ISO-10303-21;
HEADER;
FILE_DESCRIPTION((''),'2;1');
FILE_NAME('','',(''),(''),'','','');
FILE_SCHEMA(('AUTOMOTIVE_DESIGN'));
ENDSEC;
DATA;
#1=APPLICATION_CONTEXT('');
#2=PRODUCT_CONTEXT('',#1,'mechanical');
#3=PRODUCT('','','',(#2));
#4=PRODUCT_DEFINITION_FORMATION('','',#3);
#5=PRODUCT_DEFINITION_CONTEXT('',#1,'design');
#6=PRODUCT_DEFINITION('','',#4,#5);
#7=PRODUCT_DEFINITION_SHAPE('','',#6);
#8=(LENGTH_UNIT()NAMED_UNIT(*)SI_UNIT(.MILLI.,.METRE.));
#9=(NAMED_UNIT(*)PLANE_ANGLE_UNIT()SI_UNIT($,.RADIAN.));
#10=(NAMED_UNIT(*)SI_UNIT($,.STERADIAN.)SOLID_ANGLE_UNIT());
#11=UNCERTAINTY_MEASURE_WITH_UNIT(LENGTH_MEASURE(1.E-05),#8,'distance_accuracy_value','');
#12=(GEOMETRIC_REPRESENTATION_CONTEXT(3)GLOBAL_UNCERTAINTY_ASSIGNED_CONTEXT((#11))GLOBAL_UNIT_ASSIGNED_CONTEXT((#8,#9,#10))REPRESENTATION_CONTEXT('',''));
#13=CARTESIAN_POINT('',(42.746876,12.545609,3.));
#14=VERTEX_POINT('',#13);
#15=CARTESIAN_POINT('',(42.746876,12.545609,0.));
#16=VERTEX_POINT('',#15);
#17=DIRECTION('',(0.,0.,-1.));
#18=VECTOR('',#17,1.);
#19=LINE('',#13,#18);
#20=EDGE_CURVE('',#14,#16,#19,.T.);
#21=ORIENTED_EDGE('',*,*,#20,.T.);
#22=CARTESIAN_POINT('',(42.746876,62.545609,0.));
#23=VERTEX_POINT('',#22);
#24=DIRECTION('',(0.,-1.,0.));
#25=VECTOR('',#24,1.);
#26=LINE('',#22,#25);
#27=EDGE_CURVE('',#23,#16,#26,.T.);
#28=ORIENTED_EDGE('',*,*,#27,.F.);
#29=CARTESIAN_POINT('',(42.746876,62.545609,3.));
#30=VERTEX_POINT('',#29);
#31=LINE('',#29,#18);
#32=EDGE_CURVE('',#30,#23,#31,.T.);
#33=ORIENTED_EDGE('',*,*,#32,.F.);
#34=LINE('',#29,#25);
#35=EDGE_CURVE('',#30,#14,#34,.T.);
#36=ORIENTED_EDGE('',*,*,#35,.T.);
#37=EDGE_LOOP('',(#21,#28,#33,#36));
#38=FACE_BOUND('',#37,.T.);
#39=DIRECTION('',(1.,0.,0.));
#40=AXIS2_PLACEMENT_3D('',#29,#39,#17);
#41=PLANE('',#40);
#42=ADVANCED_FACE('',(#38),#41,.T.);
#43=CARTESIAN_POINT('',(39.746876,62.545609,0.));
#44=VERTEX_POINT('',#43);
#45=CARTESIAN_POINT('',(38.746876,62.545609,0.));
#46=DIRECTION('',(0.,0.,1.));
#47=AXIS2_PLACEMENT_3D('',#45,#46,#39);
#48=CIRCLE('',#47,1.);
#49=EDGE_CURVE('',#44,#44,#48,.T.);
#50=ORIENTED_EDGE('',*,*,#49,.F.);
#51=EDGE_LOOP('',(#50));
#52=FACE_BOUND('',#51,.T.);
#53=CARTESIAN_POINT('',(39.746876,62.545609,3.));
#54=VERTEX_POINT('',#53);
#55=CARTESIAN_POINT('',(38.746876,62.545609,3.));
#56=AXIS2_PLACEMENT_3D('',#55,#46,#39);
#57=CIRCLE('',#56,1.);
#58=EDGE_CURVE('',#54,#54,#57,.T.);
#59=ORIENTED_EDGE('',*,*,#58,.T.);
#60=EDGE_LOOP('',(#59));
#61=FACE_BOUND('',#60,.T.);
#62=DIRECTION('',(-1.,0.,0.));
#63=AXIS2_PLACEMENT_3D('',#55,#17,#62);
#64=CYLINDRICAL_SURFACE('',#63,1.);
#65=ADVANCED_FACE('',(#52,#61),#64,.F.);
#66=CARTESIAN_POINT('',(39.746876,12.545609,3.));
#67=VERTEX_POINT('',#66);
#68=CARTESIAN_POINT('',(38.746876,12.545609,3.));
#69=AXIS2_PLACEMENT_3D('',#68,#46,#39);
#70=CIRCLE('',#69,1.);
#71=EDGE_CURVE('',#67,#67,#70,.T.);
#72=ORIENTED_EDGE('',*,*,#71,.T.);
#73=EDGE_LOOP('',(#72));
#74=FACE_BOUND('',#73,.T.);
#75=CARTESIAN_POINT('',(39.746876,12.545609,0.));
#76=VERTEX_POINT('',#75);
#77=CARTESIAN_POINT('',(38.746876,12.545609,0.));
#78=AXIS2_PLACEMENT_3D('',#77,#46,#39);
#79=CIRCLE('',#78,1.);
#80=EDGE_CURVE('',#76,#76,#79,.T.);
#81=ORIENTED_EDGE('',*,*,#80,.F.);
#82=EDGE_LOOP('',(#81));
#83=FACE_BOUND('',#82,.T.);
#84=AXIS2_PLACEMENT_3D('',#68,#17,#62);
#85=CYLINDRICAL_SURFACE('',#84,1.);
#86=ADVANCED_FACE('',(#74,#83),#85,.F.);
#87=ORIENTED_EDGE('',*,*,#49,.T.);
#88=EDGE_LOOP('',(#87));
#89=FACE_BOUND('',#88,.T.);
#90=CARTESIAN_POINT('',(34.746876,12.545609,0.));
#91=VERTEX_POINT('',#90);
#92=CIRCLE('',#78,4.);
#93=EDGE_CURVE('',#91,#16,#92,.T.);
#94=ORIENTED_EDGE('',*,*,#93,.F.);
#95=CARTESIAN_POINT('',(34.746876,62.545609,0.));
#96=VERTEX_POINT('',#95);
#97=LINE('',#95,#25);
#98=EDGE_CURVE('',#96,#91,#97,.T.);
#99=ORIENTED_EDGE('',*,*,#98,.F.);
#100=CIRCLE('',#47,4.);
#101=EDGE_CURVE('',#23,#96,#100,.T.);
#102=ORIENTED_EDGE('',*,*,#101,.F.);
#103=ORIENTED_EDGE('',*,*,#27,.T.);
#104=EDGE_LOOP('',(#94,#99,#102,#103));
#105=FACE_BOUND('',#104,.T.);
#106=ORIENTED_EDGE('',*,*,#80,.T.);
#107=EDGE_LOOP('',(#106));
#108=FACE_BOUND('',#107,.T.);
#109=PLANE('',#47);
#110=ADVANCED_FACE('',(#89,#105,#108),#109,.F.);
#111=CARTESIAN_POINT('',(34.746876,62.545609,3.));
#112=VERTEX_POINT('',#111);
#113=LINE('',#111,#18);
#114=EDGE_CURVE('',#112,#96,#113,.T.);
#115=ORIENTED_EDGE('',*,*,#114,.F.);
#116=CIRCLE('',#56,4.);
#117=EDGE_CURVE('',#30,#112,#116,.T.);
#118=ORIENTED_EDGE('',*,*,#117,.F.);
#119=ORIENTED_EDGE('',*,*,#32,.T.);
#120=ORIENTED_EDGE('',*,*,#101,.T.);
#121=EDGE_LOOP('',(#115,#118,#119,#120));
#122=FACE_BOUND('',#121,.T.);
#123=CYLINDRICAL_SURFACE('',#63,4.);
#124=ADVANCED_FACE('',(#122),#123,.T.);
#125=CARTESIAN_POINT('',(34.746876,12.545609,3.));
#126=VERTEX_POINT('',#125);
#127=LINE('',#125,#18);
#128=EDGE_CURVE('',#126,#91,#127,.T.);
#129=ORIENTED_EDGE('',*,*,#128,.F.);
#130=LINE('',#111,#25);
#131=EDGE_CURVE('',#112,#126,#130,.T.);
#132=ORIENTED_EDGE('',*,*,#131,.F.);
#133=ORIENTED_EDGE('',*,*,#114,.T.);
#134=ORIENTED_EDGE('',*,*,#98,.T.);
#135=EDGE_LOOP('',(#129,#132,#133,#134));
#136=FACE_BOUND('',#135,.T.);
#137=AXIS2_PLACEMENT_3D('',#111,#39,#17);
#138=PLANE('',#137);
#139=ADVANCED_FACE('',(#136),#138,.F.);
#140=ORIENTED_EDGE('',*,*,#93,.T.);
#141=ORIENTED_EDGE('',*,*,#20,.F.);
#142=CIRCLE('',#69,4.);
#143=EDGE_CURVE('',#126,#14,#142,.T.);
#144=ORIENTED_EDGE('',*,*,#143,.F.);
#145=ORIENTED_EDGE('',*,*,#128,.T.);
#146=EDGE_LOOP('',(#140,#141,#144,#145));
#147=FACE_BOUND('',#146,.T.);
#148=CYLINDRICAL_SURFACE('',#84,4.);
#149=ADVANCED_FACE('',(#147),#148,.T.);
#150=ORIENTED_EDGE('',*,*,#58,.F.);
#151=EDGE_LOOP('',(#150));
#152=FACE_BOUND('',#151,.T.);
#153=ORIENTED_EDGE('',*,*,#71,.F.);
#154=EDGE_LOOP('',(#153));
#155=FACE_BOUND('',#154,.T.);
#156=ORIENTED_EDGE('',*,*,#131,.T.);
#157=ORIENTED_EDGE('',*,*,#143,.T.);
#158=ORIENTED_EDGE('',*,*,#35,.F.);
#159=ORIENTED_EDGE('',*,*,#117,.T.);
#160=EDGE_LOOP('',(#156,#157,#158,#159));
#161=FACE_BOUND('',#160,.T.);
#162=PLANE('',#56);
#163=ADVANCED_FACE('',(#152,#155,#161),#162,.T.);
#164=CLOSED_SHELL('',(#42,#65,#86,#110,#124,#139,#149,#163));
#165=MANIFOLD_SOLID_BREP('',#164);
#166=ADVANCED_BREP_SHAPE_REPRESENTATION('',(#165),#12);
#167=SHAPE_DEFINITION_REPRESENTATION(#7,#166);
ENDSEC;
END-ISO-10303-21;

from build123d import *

# Parameters (mm, degrees)
MODEL_R             = 1
BOSS_EXTRUDE1_DEPTH = 3


with BuildPart() as part:
    # Model → Boss-Extrude1 (new body)
    with BuildSketch(Plane.XY):
        with BuildLine():
            Line((34.746875971, 62.545608907), (34.746875971, 12.545608907))
            ThreePointArc((34.746875971, 12.545608907), (38.746875971, 8.545608907), (42.746875971, 12.545608907))
            Line((42.746875971, 12.545608907), (42.746875971, 62.545608907))
            ThreePointArc((42.746875971, 62.545608907), (38.746875971, 66.545608907), (34.746875971, 62.545608907))
        make_face()
        with Locations((38.746875971, 12.545608907)):
            Circle(MODEL_R, mode=Mode.SUBTRACT)
        with Locations((38.746875971, 62.545608907)):
            Circle(MODEL_R, mode=Mode.SUBTRACT)
    extrude(amount=BOSS_EXTRUDE1_DEPTH)


solid = part.part
